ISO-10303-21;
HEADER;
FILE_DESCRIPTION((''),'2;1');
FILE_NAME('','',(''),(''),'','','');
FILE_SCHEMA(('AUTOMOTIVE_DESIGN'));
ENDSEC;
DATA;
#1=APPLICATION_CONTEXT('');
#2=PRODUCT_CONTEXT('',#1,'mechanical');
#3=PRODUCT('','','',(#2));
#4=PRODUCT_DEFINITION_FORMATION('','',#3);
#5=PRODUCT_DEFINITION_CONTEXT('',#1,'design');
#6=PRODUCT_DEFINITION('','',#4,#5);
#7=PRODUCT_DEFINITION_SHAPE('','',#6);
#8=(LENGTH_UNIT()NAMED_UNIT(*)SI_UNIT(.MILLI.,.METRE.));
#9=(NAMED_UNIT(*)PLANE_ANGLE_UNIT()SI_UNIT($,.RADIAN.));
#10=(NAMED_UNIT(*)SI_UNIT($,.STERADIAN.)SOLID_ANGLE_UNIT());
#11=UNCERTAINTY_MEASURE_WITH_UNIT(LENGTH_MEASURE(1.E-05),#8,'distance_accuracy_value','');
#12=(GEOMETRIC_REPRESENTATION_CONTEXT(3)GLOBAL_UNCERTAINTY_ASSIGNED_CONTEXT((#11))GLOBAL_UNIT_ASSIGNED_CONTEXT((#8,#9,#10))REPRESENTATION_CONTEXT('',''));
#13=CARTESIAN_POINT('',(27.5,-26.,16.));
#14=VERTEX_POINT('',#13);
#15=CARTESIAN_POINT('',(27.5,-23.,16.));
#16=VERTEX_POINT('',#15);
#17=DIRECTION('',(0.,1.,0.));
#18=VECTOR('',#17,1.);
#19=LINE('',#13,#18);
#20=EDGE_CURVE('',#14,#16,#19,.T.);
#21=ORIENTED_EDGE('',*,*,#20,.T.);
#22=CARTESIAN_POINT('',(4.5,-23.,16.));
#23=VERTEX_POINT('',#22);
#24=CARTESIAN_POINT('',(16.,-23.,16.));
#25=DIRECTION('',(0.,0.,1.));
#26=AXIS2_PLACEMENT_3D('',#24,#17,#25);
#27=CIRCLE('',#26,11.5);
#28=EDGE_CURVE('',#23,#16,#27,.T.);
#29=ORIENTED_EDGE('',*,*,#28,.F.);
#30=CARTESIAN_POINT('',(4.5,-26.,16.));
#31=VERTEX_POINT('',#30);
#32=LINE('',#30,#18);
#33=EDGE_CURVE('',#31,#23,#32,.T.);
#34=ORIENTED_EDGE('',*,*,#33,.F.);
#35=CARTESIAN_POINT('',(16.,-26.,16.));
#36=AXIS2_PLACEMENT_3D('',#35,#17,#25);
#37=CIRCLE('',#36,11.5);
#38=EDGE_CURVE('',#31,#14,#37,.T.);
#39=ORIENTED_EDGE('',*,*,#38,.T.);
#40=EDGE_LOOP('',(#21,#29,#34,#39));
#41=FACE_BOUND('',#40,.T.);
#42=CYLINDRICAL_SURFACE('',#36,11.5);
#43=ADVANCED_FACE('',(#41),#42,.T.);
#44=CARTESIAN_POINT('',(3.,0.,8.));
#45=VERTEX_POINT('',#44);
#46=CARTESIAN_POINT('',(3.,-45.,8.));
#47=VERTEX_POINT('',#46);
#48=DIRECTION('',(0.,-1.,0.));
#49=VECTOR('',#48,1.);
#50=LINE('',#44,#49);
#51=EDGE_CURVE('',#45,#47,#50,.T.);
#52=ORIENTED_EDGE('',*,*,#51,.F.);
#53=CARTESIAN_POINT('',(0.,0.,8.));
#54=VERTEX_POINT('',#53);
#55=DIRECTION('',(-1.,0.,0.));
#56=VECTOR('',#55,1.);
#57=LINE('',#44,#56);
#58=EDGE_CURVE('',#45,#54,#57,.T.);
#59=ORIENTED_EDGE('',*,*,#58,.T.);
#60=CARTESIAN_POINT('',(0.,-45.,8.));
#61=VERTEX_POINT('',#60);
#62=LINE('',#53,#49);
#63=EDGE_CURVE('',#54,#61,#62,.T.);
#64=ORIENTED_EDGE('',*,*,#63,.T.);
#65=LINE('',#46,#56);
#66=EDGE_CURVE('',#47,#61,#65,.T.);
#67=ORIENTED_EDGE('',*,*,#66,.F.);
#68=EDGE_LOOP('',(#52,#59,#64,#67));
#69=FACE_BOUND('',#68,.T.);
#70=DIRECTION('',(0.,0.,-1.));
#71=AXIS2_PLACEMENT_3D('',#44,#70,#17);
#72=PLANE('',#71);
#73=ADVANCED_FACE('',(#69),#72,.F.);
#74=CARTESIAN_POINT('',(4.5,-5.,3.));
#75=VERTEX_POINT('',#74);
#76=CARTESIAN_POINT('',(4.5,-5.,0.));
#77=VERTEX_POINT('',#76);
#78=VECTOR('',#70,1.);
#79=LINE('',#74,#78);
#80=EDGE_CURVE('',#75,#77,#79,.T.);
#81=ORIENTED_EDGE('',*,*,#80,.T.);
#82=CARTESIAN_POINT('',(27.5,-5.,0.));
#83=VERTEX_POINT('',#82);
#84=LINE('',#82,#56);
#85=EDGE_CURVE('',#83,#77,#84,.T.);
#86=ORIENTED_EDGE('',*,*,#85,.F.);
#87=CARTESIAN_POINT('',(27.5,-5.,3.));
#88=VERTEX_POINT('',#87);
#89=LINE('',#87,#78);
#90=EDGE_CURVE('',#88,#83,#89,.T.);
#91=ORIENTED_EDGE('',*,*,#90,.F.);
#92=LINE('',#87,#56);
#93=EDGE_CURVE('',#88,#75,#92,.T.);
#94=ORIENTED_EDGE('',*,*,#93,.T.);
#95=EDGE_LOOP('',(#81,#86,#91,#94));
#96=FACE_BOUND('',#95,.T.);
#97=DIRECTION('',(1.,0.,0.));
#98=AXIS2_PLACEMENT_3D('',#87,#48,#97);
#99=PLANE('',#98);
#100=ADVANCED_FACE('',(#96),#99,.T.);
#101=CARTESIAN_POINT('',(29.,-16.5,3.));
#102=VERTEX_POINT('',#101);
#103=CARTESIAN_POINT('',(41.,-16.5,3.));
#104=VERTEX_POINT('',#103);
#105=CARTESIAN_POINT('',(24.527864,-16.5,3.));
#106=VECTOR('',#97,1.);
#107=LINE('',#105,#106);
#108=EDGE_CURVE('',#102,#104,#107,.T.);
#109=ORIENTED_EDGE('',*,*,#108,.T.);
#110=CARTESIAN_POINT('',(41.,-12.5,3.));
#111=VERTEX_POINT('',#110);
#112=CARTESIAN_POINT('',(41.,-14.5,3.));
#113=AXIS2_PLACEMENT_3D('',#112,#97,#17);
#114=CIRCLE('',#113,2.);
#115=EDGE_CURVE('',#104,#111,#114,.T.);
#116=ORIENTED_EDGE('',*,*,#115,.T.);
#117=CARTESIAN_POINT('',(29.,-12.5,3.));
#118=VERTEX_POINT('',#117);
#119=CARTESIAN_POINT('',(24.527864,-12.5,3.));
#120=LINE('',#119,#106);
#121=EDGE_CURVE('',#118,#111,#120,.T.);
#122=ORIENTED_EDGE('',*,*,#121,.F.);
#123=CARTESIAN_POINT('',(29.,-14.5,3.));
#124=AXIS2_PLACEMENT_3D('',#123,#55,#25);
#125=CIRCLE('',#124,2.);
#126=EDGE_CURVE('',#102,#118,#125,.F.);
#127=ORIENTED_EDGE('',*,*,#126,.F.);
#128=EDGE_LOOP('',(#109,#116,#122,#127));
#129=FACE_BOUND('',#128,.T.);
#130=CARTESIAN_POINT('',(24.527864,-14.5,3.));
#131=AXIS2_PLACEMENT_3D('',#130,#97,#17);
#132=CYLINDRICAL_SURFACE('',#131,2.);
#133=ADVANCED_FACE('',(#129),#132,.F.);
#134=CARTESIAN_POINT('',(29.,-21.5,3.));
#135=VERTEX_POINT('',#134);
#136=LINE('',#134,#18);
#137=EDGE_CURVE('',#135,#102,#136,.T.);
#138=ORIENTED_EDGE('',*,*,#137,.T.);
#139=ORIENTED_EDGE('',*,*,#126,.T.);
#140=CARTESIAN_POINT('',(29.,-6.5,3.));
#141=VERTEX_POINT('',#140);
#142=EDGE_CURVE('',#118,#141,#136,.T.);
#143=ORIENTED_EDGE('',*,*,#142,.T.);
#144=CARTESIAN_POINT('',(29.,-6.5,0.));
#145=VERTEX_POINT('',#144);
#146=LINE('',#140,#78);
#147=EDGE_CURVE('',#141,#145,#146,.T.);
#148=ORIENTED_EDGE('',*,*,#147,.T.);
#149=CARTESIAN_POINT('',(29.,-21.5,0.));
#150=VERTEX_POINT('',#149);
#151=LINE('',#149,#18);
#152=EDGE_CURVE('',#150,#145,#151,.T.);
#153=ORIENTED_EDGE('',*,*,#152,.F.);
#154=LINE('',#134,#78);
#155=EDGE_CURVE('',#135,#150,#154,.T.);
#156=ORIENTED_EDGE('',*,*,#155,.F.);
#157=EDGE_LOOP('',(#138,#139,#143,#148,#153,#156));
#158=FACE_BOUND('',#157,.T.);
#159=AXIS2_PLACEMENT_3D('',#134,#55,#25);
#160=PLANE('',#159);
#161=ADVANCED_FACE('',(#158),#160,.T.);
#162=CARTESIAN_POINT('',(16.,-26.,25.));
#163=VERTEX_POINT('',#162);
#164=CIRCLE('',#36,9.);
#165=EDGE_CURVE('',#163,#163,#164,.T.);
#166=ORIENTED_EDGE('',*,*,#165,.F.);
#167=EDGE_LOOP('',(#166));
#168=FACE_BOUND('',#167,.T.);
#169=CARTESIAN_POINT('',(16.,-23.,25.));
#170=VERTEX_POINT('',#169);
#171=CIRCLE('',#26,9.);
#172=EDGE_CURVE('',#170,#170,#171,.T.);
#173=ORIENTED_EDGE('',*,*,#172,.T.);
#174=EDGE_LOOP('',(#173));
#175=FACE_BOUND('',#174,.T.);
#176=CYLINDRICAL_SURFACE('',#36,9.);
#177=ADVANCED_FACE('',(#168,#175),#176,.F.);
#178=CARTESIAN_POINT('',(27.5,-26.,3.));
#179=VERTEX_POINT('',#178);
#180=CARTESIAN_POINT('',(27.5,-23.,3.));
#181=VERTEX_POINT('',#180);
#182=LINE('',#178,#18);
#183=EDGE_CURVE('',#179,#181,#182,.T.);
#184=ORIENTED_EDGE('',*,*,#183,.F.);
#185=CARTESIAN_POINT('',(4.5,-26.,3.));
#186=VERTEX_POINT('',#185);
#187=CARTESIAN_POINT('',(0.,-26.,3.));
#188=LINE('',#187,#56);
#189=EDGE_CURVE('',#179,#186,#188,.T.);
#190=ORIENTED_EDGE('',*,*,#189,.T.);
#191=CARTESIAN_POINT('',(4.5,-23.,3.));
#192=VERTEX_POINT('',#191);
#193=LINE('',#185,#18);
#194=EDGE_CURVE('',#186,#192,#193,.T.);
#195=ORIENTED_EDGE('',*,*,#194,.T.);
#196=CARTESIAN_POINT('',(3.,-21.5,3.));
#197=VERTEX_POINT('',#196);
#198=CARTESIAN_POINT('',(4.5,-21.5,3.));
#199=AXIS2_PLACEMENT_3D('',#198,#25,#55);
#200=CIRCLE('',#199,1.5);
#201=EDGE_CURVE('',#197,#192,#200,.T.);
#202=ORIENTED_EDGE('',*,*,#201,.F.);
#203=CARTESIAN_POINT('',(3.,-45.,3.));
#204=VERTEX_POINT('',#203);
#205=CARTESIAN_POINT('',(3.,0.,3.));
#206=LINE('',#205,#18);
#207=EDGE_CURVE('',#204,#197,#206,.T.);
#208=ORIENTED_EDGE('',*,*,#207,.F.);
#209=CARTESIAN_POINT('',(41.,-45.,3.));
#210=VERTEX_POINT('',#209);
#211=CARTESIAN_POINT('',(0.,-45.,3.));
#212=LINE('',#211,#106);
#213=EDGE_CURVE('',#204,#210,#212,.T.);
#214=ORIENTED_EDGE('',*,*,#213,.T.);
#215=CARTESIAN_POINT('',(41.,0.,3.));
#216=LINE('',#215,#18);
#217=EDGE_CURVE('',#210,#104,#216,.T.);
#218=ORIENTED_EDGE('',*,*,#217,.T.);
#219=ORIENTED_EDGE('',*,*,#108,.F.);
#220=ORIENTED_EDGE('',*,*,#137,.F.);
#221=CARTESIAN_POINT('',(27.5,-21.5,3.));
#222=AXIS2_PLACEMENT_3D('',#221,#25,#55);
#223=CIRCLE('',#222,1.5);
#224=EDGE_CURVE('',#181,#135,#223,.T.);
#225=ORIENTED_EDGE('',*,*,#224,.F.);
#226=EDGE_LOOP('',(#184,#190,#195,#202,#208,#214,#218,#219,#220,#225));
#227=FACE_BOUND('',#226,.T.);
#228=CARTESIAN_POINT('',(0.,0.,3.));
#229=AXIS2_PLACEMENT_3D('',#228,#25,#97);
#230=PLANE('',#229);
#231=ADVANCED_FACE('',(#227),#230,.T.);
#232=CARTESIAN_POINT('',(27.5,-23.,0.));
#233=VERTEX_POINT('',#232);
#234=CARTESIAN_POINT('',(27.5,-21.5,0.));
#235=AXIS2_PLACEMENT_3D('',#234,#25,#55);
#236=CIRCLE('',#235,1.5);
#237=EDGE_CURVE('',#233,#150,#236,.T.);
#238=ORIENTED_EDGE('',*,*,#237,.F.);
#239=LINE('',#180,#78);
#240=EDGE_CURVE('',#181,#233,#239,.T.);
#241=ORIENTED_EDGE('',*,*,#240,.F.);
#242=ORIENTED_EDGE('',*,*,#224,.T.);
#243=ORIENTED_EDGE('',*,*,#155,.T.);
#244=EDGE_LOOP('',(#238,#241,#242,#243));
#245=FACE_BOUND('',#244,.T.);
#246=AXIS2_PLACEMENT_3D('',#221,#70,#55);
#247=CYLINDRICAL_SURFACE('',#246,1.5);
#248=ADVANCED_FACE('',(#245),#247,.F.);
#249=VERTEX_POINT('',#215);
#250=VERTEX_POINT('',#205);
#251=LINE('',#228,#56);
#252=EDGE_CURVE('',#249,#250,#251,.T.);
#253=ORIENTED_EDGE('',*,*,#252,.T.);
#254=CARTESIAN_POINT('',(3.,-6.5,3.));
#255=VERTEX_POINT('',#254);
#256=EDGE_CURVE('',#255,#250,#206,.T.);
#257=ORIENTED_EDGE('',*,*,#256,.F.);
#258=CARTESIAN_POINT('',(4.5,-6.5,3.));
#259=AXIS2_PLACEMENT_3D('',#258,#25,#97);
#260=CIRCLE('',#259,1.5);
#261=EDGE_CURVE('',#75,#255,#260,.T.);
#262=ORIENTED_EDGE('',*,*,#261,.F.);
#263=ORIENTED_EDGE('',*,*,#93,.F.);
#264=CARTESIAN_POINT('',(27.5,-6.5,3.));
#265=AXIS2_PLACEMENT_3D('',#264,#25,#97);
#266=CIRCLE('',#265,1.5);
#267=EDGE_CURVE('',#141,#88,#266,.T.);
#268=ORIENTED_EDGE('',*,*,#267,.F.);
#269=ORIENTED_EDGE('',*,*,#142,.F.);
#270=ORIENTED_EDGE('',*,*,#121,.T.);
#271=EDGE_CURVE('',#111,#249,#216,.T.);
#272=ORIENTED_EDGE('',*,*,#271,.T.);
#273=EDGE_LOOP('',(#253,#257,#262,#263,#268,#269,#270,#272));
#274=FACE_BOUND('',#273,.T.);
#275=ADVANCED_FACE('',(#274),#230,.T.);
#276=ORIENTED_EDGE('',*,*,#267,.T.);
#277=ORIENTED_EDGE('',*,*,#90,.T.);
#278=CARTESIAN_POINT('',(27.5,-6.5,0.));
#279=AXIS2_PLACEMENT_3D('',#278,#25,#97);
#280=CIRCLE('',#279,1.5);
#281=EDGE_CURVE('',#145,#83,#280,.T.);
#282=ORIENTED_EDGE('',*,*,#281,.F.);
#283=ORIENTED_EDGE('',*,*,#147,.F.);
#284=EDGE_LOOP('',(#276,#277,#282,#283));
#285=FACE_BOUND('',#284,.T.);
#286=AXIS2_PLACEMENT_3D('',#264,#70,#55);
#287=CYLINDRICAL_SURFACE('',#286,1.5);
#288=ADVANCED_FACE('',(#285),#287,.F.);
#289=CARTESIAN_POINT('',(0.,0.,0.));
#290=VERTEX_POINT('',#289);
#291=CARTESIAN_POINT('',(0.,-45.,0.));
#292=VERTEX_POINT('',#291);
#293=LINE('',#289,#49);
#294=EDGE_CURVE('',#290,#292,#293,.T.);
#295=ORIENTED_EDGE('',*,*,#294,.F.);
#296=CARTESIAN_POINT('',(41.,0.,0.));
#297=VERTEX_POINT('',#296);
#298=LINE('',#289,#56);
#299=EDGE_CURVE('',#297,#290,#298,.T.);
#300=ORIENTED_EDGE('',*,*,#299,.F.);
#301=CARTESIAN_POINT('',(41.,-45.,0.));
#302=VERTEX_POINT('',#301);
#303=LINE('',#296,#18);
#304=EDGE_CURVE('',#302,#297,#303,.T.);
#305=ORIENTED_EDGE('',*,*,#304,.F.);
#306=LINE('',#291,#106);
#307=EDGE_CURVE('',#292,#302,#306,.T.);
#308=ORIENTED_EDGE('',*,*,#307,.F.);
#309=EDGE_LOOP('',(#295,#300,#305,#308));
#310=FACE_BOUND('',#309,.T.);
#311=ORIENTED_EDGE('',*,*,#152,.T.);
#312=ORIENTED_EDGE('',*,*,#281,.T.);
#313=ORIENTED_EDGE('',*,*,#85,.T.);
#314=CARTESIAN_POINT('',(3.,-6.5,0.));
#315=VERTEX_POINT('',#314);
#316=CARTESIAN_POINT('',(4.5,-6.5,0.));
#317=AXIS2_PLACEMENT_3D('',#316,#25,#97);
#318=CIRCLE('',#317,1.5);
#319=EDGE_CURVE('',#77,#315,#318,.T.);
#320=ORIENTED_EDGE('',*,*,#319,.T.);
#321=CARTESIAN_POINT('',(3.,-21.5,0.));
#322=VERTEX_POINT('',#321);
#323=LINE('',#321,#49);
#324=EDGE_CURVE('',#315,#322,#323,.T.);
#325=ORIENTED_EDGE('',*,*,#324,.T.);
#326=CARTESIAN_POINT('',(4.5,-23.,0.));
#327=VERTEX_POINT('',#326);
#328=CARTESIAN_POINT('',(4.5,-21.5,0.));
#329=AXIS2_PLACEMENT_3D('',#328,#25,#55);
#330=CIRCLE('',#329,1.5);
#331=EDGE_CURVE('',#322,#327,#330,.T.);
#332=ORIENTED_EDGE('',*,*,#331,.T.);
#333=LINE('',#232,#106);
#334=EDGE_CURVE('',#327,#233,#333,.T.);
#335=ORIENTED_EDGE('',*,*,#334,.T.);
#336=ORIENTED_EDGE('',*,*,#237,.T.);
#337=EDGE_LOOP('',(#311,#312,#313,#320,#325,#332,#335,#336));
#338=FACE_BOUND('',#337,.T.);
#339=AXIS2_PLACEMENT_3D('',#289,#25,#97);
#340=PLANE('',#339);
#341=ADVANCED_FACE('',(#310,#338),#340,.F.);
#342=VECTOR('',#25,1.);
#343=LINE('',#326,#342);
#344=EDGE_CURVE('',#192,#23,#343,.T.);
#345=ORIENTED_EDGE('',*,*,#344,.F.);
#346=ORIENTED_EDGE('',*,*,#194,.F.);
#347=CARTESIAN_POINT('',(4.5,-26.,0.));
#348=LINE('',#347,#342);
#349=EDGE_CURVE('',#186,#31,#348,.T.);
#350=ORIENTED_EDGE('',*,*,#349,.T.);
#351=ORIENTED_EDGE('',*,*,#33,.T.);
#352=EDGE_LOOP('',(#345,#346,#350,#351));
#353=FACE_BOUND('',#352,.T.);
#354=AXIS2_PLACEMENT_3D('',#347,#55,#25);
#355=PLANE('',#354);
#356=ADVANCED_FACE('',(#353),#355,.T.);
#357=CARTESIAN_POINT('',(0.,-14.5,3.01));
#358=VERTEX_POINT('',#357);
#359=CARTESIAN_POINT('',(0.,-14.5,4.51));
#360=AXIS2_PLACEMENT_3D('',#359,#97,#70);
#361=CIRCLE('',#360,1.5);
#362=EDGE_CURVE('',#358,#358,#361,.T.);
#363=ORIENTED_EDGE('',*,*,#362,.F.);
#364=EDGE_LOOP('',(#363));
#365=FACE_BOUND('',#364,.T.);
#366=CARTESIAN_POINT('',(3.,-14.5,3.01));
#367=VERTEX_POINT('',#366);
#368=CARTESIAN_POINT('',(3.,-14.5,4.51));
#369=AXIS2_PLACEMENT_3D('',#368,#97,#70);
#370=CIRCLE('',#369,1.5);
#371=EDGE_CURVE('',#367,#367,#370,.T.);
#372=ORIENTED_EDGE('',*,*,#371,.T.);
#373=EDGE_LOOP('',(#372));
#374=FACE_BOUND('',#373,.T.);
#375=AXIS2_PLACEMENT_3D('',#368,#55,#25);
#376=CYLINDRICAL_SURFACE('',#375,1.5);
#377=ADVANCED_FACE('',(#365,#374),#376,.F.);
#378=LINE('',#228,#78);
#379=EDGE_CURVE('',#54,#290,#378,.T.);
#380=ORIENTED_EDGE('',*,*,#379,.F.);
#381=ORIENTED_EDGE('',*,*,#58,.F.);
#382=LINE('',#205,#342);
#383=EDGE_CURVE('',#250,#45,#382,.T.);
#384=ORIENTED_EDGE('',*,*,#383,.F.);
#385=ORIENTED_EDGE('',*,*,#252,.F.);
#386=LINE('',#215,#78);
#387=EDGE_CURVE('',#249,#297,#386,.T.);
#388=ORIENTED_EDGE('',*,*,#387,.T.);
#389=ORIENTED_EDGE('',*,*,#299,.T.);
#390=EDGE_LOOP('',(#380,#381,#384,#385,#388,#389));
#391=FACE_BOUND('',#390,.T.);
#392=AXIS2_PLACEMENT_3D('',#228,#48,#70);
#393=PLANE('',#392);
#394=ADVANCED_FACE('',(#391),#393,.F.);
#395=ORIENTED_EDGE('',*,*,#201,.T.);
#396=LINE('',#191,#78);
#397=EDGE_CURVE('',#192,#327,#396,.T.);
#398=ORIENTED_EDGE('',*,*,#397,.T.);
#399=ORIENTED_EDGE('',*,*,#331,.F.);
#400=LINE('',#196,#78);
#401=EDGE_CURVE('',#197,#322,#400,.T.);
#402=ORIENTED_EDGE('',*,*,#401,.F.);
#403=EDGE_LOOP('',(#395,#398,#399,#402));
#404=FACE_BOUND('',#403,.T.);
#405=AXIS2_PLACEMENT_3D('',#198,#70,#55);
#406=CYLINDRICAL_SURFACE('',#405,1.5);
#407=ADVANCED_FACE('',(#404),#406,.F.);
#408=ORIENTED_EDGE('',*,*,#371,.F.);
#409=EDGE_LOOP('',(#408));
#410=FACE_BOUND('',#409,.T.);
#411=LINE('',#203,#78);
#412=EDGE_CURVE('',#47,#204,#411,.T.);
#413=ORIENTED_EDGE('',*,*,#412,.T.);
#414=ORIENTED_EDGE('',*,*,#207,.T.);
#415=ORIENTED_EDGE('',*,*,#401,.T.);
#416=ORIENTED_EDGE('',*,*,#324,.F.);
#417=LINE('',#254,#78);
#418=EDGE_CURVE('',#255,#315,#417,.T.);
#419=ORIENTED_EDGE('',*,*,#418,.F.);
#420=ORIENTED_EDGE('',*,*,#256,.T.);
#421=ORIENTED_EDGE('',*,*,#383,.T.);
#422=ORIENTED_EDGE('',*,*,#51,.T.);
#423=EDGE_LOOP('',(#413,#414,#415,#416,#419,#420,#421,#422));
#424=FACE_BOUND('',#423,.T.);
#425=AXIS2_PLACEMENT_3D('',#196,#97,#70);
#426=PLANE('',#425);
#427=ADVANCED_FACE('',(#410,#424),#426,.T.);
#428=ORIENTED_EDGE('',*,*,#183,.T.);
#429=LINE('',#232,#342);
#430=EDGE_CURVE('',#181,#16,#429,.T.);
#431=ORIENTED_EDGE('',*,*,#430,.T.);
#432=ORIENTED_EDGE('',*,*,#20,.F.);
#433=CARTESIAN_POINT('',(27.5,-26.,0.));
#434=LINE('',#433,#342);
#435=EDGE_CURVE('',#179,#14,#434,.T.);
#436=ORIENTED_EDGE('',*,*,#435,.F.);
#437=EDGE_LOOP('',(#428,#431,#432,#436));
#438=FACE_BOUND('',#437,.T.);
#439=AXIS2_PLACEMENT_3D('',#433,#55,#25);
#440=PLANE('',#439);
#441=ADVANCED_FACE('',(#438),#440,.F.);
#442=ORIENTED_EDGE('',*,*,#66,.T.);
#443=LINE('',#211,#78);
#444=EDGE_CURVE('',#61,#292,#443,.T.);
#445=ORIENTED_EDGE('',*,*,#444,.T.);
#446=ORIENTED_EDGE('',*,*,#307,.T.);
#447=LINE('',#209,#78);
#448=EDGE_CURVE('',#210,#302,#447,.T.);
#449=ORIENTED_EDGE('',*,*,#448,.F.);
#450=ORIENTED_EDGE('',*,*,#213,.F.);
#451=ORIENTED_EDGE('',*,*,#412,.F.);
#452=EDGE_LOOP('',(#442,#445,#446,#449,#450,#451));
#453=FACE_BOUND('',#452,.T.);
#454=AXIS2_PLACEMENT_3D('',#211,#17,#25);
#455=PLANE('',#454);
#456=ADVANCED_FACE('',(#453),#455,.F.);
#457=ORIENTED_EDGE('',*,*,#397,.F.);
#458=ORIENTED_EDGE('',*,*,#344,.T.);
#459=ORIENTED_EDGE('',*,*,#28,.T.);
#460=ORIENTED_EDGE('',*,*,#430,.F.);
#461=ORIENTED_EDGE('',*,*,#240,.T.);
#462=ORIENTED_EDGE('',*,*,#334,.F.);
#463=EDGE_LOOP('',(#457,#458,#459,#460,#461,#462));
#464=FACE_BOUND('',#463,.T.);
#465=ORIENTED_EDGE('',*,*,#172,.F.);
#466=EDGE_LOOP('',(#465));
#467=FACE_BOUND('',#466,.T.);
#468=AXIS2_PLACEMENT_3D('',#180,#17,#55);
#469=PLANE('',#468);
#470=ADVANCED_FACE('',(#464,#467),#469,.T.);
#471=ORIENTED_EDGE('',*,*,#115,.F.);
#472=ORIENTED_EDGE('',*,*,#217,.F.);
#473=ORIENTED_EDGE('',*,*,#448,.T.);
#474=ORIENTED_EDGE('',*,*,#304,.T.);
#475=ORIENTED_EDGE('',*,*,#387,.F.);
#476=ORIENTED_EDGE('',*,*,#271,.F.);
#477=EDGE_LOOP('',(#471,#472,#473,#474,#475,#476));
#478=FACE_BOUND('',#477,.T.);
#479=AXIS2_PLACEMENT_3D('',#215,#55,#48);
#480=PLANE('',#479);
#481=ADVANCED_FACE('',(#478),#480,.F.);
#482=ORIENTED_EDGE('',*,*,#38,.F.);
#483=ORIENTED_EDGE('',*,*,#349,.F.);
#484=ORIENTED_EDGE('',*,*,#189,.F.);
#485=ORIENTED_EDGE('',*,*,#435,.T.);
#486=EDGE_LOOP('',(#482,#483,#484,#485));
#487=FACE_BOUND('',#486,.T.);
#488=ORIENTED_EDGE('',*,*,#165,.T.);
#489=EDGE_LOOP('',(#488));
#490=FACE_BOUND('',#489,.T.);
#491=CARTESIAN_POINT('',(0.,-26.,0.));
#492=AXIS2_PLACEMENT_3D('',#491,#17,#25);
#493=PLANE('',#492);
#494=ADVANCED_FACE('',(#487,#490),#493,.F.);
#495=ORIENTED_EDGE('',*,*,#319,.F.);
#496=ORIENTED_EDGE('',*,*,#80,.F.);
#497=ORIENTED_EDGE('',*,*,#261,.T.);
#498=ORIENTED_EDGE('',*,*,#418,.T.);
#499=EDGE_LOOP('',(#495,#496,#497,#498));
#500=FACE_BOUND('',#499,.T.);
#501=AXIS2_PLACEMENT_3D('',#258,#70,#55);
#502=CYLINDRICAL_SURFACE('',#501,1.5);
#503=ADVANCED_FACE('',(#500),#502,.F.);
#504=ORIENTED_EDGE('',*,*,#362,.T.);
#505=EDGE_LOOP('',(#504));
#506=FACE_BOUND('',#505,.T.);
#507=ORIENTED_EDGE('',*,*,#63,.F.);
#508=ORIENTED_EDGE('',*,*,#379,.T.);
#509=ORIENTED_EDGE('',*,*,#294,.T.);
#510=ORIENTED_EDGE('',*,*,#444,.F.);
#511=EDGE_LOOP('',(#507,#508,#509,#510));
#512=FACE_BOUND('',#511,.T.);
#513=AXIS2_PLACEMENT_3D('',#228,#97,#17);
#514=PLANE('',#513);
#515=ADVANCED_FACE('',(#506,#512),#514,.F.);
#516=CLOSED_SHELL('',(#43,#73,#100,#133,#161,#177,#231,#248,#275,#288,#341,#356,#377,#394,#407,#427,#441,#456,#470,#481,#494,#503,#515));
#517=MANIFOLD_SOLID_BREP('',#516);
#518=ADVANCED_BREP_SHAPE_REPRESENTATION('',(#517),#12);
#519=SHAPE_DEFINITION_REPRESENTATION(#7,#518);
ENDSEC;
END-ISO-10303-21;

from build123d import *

# Parameters (mm, degrees)
SKETCH1_W           = 41
SKETCH1_H           = 45
BOSS_EXTRUDE1_DEPTH = 3
SKETCH2_W           = 5
SKETCH2_H           = 45
SKETCH2_R           = 1.5
BOSS_EXTRUDE2_DEPTH = 3
SKETCH4_R           = 9
BOSS_EXTRUDE3_DEPTH = 3
CUT_EXTRUDE4_DEPTH  = 12


with BuildPart() as part:
    # Sketch1 → Boss-Extrude1 (new body)
    with BuildSketch(Plane.XY):
        with Locations((20.5, -22.5)):
            Rectangle(SKETCH1_W, SKETCH1_H)
        with BuildLine():
            Line((27.5, -23), (4.5, -23))
            ThreePointArc((4.5, -23), (3.439339828, -22.560660172), (3, -21.5))
            Line((3, -21.5), (3, -6.5))
            ThreePointArc((3, -6.5), (3.439339828, -5.439339828), (4.5, -5))
            Line((4.5, -5), (27.5, -5))
            ThreePointArc((27.5, -5), (28.560660172, -5.439339828), (29, -6.5))
            Line((29, -6.5), (29, -21.5))
            ThreePointArc((29, -21.5), (28.560660172, -22.560660172), (27.5, -23))
        make_face(mode=Mode.SUBTRACT)
    extrude(amount=BOSS_EXTRUDE1_DEPTH)

    # Sketch2 → Boss-Extrude2 (add)
    with BuildSketch(Plane(origin=(0, 0, 0), x_dir=(0, 0, -1), z_dir=(1, 0, 0))):
        with Locations((-5.5, -22.5)):
            Rectangle(SKETCH2_W, SKETCH2_H)
        with Locations((-4.51, -14.5)):
            Circle(SKETCH2_R, mode=Mode.SUBTRACT)
    extrude(amount=BOSS_EXTRUDE2_DEPTH)

    # Sketch4 → Boss-Extrude3 (add)
    with BuildSketch(Plane(origin=(0, -23, 0), x_dir=(1, 0, 0), z_dir=(0, 1, 0))):
        with BuildLine():
            Line((4.5, -3), (4.5, -16))
            ThreePointArc((4.5, -16), (16, -27.5), (27.5, -16))
            Line((27.5, -16), (27.5, -3))
            Line((27.5, -3), (4.5, -3))
        make_face()
        with Locations(Location((16, -16, 0), (0, 0, 270))):
            Circle(SKETCH4_R, mode=Mode.SUBTRACT)
    extrude(amount=-BOSS_EXTRUDE3_DEPTH)

    # Sketch7 → Cut-Extrude4 (cut)
    with BuildSketch(Plane(origin=(41, 0, 0), x_dir=(0, 0, -1), z_dir=(1, 0, 0))):
        with BuildLine():
            Line((-3, -12.5), (-3, -16.5))
            ThreePointArc((-3, -16.5), (-1, -14.5), (-3, -12.5))
        make_face()
    extrude(amount=-CUT_EXTRUDE4_DEPTH, mode=Mode.SUBTRACT)


solid = part.part
